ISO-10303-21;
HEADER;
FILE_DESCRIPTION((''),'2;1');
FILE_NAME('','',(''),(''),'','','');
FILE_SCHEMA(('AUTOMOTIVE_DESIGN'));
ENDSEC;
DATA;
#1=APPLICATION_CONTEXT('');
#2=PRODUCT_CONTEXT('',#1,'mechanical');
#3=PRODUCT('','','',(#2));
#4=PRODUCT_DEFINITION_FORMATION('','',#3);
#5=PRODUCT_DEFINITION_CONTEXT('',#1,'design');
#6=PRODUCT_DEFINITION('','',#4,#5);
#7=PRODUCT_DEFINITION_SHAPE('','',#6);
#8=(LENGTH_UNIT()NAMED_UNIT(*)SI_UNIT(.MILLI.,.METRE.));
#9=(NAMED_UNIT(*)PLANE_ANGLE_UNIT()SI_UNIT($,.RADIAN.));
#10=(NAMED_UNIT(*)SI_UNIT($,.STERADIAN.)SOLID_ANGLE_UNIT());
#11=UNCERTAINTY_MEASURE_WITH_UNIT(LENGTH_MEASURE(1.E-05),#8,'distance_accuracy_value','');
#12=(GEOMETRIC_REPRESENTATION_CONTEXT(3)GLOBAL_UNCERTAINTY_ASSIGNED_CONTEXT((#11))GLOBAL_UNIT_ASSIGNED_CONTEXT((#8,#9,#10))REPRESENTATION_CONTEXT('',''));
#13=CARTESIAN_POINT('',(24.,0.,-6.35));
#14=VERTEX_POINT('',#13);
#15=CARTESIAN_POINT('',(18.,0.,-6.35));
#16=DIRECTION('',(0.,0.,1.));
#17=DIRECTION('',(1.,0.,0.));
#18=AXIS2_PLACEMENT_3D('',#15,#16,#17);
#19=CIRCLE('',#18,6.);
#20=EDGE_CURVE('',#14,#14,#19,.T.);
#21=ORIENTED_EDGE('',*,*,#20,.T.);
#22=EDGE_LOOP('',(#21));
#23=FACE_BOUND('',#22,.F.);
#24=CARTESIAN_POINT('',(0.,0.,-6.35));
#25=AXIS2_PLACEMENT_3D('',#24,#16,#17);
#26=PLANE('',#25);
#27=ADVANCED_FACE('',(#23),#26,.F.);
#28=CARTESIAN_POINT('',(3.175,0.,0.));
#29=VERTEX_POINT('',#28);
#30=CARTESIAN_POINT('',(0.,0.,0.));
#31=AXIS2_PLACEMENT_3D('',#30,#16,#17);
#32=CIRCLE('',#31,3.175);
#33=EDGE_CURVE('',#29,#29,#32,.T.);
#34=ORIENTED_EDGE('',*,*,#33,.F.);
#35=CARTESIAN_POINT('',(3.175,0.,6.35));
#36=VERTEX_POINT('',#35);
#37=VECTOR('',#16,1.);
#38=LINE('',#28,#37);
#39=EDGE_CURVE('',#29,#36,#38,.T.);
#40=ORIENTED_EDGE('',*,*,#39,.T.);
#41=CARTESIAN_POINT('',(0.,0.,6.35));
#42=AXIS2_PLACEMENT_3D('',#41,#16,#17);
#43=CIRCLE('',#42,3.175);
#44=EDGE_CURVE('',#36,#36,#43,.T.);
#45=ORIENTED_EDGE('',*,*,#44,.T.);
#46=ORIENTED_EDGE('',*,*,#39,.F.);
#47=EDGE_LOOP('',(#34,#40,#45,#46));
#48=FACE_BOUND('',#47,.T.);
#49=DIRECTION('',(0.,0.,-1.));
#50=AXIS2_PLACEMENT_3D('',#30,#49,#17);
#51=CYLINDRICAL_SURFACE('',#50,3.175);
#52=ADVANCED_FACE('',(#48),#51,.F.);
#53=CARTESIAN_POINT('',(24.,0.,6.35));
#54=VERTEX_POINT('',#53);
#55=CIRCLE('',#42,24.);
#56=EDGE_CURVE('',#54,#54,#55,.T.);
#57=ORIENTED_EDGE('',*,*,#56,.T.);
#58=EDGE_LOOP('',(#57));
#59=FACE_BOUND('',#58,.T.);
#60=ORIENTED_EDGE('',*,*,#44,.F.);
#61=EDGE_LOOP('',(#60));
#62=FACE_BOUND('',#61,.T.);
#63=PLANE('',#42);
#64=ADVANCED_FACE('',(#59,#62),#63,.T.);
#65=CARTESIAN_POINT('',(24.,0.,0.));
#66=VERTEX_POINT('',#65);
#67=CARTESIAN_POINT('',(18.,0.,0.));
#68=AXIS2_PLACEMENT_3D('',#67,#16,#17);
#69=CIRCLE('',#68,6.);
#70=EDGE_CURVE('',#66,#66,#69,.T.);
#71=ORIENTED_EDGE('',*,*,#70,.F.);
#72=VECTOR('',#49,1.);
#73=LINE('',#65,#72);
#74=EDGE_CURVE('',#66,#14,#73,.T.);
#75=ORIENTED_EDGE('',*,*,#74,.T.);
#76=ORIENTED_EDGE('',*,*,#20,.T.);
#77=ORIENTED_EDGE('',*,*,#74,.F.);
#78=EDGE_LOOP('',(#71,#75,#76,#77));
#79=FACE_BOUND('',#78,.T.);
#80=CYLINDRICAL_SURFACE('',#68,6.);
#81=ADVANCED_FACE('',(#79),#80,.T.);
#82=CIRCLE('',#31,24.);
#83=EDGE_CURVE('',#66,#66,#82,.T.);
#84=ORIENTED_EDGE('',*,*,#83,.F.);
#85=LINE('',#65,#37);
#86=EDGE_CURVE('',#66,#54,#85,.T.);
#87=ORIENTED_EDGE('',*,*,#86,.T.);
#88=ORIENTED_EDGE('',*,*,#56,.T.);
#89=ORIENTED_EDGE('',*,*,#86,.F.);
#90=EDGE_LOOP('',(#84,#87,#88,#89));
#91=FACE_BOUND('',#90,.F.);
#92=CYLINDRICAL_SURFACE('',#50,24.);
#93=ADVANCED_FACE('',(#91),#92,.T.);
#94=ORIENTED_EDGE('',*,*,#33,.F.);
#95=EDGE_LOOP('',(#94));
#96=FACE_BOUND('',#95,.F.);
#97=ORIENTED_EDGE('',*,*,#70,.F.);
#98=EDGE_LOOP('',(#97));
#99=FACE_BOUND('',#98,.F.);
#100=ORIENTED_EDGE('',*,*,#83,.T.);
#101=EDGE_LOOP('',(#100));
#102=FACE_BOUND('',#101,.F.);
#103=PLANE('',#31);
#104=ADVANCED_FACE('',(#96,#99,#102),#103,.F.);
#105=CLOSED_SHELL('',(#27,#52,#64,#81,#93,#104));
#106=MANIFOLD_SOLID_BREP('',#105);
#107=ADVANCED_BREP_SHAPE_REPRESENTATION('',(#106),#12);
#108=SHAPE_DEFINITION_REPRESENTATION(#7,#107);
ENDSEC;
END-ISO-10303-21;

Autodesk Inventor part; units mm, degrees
ref_plane "YZ Plane" through (0, 0, 0) normal (1, 0, 0) x (0, 1, 0)
ref_plane "XZ Plane" through (0, 0, 0) normal (0, 1, 0) x (-1, 0, 0)
ref_plane "XY Plane" through (0, 0, 0) normal (0, 0, 1) x (1, 0, 0)
sketch "Sketch1" plane through (0, 0, 0) normal (0, 0, 1) x (1, 0, 0)
  circle A0 centre (0, 0) radius 38.1
  circle A1 centre (0, 0) radius 24
  circle A2 centre (18, 0) radius 6
  line L0 (-24, 0) -> (24, 0) construction
  circle A3 centre (0, 0) radius 3.175
  circle A4 centre (0, 0) radius 6.35
  dimension "d2" = 12
  dimension "d0" = 76.2
  dimension "d1" = 48
  dimension "d3" = 6.35
  dimension "d4" = 3.175
extrude "Extrusion1" add sketch "Sketch1" along normal blind 6.35 contours A1 | A2 | A4
extrude "Extrusion2" add sketch "Sketch1" against normal blind 6.35 contours A2
equation "\"d1\" = 4 * d2"
properties part number "Temp - Gears"
